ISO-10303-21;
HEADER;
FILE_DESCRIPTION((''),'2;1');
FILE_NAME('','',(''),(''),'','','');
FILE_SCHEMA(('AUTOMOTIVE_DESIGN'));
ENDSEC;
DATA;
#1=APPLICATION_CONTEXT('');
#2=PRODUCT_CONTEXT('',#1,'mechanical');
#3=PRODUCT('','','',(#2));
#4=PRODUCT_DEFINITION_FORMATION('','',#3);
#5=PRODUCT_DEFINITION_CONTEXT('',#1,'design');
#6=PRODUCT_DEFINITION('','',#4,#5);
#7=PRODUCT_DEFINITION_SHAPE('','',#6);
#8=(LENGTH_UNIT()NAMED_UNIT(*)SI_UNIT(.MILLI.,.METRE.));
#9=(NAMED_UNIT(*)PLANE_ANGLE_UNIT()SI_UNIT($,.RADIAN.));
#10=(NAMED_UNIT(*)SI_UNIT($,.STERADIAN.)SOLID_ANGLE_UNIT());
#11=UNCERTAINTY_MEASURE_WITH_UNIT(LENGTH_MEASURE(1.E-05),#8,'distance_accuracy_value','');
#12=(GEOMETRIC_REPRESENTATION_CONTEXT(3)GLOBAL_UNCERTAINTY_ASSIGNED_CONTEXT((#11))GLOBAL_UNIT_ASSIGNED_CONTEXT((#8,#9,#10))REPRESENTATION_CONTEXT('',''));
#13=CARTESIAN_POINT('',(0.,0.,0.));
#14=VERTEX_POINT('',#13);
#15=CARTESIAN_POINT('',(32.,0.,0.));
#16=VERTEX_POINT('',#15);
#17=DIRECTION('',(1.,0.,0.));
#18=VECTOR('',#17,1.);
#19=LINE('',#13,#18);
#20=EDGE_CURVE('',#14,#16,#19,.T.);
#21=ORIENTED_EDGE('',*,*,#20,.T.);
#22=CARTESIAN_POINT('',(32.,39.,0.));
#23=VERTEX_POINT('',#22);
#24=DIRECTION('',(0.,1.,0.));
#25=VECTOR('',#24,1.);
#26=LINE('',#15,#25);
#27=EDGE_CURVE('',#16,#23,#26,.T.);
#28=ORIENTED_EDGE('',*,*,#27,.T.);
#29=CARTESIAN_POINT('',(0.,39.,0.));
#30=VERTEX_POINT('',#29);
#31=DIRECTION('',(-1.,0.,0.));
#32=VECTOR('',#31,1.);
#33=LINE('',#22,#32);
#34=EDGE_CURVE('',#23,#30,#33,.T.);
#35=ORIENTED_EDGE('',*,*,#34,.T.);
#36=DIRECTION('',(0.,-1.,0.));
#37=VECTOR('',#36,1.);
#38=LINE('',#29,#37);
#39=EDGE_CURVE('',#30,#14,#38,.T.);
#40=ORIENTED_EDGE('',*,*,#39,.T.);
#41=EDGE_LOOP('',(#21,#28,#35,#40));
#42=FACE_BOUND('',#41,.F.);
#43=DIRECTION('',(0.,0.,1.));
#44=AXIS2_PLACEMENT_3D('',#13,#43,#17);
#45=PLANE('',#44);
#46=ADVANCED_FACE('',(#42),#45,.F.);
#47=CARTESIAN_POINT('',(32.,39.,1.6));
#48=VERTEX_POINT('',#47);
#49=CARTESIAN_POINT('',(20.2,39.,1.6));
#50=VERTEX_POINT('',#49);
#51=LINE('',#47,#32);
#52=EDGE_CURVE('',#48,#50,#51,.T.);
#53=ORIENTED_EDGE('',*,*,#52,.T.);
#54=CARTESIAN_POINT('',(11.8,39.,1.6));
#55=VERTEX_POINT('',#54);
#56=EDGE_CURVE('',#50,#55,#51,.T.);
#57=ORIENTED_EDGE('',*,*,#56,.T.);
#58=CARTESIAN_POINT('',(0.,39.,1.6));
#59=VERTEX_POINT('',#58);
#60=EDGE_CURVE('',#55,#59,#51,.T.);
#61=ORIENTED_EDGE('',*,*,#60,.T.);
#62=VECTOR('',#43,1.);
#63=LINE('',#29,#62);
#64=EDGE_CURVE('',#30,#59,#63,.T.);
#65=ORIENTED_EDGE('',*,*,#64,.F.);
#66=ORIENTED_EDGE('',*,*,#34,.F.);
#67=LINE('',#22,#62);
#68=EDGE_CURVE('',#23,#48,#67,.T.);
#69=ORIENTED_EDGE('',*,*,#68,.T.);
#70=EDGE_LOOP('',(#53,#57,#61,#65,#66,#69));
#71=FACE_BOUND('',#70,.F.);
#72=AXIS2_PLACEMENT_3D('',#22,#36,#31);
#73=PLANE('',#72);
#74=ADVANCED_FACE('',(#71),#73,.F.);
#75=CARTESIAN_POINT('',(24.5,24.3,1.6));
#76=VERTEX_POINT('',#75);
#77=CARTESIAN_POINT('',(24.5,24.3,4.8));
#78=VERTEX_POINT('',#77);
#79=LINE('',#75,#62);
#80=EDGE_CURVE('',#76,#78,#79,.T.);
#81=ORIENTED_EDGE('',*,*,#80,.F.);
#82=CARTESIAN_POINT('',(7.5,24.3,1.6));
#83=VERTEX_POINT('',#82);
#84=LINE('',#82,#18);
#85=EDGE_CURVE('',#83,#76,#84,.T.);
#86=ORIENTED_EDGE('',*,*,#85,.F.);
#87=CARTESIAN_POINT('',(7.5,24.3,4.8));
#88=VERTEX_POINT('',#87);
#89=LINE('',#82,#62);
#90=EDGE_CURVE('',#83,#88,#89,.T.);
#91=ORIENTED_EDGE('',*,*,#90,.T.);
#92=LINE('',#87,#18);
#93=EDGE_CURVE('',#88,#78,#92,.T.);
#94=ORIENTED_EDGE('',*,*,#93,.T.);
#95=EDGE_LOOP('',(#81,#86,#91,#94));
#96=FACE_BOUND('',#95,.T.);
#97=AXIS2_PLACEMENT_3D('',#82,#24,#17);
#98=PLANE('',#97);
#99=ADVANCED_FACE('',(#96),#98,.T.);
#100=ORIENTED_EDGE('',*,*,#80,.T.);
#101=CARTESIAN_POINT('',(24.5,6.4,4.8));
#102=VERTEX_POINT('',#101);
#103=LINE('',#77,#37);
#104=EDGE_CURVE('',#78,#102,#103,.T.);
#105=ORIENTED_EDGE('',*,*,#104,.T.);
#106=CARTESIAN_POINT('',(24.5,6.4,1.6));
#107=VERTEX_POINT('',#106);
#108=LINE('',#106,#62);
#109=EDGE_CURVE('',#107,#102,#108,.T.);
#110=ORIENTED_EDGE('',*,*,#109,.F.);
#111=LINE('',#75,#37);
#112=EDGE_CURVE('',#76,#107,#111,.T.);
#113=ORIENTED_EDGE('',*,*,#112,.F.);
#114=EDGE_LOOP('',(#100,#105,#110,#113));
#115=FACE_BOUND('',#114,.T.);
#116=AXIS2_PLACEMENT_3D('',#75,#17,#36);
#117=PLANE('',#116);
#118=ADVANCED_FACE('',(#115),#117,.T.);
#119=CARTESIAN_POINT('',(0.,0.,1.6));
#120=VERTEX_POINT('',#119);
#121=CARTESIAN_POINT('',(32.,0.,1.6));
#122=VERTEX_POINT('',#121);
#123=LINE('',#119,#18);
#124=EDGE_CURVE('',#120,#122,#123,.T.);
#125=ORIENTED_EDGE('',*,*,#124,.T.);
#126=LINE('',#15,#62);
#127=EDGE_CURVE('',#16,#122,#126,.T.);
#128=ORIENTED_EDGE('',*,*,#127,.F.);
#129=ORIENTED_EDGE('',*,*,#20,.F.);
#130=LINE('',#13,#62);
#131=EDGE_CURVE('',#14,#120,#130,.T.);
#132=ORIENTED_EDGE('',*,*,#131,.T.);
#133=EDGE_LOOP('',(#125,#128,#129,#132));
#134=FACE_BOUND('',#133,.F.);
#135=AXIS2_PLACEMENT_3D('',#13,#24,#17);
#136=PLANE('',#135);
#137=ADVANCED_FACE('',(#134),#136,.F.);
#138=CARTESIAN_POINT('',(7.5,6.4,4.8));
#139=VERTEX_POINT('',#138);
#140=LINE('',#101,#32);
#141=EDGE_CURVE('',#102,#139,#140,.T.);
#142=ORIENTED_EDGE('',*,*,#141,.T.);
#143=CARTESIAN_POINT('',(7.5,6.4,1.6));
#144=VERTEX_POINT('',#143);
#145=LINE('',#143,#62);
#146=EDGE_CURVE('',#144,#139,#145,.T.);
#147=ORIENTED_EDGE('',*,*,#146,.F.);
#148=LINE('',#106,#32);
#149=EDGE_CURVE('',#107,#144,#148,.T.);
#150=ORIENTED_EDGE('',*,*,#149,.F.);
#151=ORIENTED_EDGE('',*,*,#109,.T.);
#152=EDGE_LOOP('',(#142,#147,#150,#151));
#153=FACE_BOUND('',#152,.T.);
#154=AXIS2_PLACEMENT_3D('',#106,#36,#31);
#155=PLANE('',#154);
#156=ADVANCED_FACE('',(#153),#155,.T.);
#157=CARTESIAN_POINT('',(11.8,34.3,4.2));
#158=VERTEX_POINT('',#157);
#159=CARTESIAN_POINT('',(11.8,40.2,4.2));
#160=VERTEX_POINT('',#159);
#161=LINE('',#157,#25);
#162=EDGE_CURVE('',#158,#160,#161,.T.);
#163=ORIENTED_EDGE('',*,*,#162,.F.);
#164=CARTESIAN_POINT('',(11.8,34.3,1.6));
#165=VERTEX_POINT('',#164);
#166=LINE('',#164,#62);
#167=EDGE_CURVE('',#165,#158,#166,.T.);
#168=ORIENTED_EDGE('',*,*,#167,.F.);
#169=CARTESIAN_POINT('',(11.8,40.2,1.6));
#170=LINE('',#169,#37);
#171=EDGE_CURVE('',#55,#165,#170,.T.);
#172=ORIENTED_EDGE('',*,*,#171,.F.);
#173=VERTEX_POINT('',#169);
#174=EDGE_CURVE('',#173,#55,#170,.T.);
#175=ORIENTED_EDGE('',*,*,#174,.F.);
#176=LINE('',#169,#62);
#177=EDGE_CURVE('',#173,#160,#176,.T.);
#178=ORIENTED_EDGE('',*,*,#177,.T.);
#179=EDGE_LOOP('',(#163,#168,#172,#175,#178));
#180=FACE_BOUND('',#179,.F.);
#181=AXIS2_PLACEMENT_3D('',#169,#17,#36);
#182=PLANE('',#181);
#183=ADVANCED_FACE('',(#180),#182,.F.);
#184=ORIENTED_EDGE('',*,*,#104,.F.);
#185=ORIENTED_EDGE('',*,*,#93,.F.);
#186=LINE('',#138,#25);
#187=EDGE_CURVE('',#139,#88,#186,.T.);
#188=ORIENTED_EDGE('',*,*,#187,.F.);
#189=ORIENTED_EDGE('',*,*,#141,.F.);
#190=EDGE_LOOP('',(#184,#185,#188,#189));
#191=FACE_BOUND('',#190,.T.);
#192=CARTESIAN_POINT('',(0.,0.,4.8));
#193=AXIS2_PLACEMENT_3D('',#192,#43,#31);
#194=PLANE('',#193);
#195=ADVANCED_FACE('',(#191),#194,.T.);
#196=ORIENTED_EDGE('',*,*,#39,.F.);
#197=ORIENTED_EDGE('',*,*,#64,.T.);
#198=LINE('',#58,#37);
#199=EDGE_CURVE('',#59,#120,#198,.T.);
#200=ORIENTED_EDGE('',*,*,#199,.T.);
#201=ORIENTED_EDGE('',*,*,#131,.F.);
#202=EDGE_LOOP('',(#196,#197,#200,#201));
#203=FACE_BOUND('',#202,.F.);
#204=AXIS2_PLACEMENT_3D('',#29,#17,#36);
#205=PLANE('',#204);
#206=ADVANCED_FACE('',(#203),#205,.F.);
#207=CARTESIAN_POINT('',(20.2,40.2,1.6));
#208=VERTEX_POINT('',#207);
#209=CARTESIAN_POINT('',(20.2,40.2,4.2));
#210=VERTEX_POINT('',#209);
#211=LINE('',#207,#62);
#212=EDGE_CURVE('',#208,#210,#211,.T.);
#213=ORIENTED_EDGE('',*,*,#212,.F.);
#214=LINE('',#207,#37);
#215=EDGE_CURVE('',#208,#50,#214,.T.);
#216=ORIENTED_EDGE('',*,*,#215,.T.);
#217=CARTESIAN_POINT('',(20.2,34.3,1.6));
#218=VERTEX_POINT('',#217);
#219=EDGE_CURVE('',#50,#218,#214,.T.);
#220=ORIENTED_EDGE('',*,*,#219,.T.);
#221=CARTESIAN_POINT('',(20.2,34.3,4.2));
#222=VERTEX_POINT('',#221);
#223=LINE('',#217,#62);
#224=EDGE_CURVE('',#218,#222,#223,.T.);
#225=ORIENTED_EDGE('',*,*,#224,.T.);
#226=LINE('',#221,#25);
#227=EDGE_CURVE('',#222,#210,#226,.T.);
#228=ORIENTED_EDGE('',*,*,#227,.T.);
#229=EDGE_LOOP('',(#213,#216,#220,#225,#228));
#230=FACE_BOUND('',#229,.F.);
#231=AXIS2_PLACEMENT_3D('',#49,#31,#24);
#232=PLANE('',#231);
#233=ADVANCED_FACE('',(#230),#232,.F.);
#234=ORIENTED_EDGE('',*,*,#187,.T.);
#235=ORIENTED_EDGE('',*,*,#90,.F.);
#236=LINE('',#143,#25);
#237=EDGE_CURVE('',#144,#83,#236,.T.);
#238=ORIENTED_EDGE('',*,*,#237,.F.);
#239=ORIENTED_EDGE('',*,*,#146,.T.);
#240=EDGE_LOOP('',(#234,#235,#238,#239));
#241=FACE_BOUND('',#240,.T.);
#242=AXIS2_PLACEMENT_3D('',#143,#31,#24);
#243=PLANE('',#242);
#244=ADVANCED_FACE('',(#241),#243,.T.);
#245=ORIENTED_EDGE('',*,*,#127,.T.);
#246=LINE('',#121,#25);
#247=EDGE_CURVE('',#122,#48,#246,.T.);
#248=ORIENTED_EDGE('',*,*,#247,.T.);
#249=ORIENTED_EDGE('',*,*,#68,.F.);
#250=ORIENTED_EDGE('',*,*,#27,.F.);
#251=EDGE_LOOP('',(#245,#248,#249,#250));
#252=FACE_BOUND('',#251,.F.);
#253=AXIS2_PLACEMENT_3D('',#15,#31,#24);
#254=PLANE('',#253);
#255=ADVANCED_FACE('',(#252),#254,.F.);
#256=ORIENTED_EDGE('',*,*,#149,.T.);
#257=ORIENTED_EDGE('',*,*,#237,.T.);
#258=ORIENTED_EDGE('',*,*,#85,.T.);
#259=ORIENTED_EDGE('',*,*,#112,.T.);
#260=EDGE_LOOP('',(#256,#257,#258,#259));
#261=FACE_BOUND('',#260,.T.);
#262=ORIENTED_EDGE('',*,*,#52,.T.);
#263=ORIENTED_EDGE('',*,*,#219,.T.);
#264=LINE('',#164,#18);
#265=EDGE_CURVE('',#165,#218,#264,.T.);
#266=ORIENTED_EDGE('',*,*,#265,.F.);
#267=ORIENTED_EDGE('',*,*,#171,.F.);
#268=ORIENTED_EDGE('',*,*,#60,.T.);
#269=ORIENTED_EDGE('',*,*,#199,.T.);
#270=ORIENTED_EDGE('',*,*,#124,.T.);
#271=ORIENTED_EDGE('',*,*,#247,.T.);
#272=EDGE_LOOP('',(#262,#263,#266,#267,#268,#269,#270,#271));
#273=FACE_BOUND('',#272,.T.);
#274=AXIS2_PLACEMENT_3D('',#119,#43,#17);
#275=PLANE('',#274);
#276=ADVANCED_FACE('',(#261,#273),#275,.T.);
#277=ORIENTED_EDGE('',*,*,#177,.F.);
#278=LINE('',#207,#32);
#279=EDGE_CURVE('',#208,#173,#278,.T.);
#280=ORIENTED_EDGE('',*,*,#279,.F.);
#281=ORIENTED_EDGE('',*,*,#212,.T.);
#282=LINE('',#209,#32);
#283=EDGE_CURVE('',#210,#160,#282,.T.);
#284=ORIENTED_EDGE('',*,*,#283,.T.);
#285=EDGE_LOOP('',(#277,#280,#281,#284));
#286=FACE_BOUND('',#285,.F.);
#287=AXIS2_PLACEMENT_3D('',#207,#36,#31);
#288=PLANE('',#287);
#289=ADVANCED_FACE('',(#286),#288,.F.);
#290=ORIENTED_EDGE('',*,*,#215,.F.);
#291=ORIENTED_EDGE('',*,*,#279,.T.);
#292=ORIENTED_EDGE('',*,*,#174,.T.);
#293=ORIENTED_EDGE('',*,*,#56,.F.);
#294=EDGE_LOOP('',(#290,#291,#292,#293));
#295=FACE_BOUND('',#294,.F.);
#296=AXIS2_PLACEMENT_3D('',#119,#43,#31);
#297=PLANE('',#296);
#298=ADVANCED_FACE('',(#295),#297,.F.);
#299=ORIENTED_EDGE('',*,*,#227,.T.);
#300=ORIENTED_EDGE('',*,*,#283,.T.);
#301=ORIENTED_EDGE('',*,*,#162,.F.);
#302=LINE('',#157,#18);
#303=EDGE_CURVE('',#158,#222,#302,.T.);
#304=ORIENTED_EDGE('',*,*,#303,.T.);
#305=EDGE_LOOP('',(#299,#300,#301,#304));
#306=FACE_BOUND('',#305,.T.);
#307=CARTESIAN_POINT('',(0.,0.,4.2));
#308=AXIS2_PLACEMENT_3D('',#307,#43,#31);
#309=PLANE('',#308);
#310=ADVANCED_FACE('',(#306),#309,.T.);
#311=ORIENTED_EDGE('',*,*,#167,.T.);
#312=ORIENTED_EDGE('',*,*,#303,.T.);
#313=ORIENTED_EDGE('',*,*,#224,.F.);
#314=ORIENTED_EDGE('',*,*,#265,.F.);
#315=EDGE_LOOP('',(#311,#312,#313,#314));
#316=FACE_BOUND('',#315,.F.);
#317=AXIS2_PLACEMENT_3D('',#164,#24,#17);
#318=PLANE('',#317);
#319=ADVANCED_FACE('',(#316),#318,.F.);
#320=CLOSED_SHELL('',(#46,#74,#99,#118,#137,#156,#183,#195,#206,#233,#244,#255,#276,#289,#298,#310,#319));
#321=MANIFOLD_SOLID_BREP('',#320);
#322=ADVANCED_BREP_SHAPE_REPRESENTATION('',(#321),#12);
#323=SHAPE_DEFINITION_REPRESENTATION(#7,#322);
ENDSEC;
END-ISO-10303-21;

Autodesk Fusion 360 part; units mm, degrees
sketch "Sketch1" plane through (0, 0, 0) normal (0, 0, 1) x (1, 0, 0)
  line L0 (0, 0) -> (32, 0)
  line L1 (32, 0) -> (32, 39)
  line L2 (32, 39) -> (0, 39)
  line L3 (0, 39) -> (0, 0)
  dimension "d1" = 32
  dimension "d2" = 39
extrude "Extrude1" add sketch "Sketch1" along normal blind 1.6
sketch "Sketch2" plane through (0, 0, 1.6) normal (0, 0, 1) x (-1, 0, 0)
  line L0 (0, -39) -> (0, 0)
  line L1 (0, 0) -> (-32, 0)
  line L2 (-32, 0) -> (-32, -39)
  line L3 (-32, -39) -> (0, -39)
  line L4 (-7.5, -24.3) -> (-24.5, -24.3)
  line L5 (-24.5, -24.3) -> (-24.5, -6.4)
  line L6 (-24.5, -6.4) -> (-7.5, -6.4)
  line L7 (-7.5, -6.4) -> (-7.5, -24.3)
  dimension "d5" = 14.7
  dimension "d6" = 6.4
  dimension "d7" = 7.5
  dimension "d8" = 7.5
extrude "Extrude2" add sketch "Sketch2" along normal blind 3.2 contours L4 L5 L6 L7
sketch "Sketch3" plane through (0, 0, 1.6) normal (0, 0, 1) x (-1, 0, 0)
  line L0 (-7.5, -6.4) -> (-7.5, -24.3)
  line L1 (-7.5, -24.3) -> (-24.5, -24.3)
  line L2 (-24.5, -24.3) -> (-24.5, -6.4)
  line L3 (-24.5, -6.4) -> (-7.5, -6.4)
  line L4 (0, -39) -> (0, 0)
  line L5 (0, 0) -> (-32, 0)
  line L6 (-32, 0) -> (-32, -39)
  line L7 (-32, -39) -> (0, -39)
  line L8 (-11.8, -34.3) -> (-20.2, -34.3)
  line L9 (-20.2, -34.3) -> (-20.2, -40.2)
  line L10 (-20.2, -40.2) -> (-11.8, -40.2)
  line L11 (-11.8, -40.2) -> (-11.8, -34.3)
  dimension "d11" = 11.8
  dimension "d12" = 11.8
  dimension "d14" = 1.2
  dimension "d15" = 4.7
extrude "Extrude3" add sketch "Sketch3" along normal blind 2.6 contours L7 L9 L10 L11 | L7 L8 L9 L11
equation "d9 = 4.8 mm - 1.6 mm"
equation "d16 = 4.2 mm - 1.6 mm"
